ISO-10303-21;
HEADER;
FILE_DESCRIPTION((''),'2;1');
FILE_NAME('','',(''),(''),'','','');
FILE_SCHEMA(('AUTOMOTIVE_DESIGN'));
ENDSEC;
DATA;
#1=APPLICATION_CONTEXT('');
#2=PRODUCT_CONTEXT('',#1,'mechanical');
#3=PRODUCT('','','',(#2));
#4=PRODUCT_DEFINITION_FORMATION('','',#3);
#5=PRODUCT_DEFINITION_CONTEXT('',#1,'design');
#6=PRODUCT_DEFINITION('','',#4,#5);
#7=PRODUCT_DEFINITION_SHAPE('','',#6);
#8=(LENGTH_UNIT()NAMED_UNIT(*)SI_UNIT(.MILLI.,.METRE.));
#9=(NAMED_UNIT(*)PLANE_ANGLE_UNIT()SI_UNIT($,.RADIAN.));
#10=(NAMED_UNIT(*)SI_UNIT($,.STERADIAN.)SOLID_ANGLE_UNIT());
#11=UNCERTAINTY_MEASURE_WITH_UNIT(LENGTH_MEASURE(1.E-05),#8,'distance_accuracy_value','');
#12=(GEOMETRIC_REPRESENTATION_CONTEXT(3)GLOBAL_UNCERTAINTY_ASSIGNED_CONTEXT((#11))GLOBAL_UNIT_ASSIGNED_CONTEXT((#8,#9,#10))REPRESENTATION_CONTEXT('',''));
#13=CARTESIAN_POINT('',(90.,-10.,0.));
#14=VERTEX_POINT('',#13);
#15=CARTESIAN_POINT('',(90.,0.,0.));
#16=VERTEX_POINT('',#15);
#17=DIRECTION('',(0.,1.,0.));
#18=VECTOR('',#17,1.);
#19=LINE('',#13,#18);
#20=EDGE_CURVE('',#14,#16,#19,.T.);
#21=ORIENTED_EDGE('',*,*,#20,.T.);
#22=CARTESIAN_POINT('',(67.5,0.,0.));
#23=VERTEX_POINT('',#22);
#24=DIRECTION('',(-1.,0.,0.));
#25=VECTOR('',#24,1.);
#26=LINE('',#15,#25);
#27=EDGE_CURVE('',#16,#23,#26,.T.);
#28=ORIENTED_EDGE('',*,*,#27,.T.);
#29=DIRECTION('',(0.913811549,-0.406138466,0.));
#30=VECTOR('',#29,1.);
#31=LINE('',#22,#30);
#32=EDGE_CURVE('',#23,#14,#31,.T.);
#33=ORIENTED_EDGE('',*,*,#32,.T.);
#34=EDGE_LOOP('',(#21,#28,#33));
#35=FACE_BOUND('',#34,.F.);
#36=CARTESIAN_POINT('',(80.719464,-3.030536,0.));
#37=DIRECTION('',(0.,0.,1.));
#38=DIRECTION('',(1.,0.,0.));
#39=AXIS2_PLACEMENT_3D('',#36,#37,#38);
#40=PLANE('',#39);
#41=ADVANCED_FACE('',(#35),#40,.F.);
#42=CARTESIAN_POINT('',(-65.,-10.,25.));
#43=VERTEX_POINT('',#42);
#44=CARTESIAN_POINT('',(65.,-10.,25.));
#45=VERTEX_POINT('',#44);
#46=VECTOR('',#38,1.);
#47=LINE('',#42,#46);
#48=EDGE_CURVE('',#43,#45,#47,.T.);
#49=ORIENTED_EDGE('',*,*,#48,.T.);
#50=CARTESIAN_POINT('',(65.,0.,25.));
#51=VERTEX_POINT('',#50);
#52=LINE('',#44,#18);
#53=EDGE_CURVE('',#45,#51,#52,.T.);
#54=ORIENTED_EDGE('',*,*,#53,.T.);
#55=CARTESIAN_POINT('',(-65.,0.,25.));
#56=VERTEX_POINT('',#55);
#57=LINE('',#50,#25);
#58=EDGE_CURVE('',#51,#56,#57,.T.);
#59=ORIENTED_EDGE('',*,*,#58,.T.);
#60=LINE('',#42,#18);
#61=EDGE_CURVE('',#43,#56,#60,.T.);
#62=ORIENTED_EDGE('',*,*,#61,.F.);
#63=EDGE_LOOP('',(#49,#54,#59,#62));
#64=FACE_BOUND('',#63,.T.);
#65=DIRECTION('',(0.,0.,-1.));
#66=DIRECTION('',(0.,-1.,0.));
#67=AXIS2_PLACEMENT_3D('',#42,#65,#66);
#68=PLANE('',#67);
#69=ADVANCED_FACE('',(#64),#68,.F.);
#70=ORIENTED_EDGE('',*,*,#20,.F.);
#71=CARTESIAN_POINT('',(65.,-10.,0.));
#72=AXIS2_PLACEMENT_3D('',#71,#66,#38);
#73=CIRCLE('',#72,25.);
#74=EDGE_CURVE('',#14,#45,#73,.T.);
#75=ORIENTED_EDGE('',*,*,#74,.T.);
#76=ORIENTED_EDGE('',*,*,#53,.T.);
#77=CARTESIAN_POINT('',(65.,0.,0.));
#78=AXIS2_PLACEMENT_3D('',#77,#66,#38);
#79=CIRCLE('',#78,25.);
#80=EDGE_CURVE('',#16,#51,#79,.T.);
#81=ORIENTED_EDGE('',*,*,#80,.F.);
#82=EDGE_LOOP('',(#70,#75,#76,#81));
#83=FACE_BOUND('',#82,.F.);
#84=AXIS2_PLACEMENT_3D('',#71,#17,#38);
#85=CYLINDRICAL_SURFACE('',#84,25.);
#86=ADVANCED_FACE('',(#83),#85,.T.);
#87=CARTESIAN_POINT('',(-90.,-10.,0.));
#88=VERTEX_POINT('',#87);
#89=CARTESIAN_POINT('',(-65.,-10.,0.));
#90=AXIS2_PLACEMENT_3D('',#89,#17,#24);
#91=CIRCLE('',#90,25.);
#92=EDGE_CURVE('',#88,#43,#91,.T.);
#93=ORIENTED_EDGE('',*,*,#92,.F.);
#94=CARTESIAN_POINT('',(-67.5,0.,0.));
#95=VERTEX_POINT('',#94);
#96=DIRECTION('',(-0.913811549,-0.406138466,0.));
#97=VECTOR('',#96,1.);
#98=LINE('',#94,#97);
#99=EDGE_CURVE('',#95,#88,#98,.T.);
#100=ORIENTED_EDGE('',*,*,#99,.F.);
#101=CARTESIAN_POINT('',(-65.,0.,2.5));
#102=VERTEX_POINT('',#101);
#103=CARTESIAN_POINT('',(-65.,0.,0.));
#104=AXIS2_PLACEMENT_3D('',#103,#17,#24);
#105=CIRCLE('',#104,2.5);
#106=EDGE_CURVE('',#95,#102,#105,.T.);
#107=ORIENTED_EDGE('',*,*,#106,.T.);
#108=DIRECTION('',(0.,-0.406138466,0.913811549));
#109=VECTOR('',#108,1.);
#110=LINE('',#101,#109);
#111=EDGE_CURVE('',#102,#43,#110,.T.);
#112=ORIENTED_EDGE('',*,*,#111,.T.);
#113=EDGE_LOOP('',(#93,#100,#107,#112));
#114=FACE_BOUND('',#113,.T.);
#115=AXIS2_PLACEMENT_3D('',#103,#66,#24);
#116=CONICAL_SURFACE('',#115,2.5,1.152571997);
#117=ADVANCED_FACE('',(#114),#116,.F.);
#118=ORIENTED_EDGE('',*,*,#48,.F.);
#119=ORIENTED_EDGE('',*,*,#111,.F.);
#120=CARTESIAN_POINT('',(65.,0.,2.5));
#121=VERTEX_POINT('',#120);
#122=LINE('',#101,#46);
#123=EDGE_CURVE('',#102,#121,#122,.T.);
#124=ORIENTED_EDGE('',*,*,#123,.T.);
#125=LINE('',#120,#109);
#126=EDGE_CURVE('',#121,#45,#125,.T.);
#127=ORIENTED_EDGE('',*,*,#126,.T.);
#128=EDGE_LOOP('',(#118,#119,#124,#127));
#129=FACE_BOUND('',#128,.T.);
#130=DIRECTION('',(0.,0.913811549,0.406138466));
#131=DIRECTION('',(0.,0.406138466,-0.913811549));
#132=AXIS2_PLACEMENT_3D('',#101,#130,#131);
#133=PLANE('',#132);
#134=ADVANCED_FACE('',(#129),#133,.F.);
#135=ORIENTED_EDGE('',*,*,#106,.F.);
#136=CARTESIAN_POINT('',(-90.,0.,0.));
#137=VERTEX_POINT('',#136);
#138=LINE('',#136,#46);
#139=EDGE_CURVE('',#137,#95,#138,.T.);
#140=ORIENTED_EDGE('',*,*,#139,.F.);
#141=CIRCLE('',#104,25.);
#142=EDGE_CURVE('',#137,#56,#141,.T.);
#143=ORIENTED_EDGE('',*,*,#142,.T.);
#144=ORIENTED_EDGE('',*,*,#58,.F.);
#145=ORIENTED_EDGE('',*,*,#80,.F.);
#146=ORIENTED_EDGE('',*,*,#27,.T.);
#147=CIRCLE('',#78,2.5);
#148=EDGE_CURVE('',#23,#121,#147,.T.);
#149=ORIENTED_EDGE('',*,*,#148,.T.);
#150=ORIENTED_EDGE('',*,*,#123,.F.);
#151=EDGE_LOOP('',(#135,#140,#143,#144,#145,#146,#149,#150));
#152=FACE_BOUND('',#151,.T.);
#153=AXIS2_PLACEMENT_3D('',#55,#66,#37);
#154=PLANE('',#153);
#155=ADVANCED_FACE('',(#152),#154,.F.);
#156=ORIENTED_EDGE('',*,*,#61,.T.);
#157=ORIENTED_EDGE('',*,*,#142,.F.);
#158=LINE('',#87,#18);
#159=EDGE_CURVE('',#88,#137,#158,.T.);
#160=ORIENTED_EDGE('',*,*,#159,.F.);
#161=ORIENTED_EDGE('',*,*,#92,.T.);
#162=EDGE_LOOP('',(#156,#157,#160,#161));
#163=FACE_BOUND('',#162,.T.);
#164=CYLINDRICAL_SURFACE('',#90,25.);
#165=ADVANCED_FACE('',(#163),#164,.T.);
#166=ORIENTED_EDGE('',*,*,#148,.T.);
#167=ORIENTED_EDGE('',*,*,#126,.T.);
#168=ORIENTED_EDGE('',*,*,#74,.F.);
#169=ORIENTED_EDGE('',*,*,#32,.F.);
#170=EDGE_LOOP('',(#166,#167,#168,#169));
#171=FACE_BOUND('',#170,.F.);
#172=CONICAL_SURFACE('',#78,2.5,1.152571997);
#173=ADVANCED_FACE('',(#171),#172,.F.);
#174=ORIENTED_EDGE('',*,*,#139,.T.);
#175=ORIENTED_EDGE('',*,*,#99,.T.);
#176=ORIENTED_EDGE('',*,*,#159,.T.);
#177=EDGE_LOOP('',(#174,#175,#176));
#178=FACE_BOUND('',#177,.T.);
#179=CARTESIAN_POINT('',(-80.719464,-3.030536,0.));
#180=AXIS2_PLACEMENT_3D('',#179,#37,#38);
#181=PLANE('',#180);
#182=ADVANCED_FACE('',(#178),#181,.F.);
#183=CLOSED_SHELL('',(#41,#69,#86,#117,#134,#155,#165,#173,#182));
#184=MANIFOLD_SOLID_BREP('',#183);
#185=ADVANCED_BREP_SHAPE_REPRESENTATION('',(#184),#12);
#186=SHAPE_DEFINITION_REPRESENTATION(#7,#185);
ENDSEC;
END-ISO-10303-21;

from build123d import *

# Parameters (mm, degrees)
F2_ANGLE = 90
F3_DEPTH = 65


with BuildPart() as f2:
    # F1 (on Top) → F2 (revolve)
    with BuildSketch(Plane.XY):
        Polygon((90, -10), (90, 0), (67.5, 0), align=None)
    revolve(axis=Axis((65, 13.2645983249, 0), (0, -1, 0)), revolution_arc=F2_ANGLE)

    # F3 (add): a face of the model
    f3_faces = [f2.faces().sort_by_distance(p)[0] for p in [
        (65, -3.3333333333, 17.5),
    ]]
    extrude(f3_faces, amount=F3_DEPTH)

    # F4: F2 across plane


with BuildPart() as f2_1:
    add(f2.part)
    add(f2.part.mirror(Plane.YZ))


solid = f2_1.part
